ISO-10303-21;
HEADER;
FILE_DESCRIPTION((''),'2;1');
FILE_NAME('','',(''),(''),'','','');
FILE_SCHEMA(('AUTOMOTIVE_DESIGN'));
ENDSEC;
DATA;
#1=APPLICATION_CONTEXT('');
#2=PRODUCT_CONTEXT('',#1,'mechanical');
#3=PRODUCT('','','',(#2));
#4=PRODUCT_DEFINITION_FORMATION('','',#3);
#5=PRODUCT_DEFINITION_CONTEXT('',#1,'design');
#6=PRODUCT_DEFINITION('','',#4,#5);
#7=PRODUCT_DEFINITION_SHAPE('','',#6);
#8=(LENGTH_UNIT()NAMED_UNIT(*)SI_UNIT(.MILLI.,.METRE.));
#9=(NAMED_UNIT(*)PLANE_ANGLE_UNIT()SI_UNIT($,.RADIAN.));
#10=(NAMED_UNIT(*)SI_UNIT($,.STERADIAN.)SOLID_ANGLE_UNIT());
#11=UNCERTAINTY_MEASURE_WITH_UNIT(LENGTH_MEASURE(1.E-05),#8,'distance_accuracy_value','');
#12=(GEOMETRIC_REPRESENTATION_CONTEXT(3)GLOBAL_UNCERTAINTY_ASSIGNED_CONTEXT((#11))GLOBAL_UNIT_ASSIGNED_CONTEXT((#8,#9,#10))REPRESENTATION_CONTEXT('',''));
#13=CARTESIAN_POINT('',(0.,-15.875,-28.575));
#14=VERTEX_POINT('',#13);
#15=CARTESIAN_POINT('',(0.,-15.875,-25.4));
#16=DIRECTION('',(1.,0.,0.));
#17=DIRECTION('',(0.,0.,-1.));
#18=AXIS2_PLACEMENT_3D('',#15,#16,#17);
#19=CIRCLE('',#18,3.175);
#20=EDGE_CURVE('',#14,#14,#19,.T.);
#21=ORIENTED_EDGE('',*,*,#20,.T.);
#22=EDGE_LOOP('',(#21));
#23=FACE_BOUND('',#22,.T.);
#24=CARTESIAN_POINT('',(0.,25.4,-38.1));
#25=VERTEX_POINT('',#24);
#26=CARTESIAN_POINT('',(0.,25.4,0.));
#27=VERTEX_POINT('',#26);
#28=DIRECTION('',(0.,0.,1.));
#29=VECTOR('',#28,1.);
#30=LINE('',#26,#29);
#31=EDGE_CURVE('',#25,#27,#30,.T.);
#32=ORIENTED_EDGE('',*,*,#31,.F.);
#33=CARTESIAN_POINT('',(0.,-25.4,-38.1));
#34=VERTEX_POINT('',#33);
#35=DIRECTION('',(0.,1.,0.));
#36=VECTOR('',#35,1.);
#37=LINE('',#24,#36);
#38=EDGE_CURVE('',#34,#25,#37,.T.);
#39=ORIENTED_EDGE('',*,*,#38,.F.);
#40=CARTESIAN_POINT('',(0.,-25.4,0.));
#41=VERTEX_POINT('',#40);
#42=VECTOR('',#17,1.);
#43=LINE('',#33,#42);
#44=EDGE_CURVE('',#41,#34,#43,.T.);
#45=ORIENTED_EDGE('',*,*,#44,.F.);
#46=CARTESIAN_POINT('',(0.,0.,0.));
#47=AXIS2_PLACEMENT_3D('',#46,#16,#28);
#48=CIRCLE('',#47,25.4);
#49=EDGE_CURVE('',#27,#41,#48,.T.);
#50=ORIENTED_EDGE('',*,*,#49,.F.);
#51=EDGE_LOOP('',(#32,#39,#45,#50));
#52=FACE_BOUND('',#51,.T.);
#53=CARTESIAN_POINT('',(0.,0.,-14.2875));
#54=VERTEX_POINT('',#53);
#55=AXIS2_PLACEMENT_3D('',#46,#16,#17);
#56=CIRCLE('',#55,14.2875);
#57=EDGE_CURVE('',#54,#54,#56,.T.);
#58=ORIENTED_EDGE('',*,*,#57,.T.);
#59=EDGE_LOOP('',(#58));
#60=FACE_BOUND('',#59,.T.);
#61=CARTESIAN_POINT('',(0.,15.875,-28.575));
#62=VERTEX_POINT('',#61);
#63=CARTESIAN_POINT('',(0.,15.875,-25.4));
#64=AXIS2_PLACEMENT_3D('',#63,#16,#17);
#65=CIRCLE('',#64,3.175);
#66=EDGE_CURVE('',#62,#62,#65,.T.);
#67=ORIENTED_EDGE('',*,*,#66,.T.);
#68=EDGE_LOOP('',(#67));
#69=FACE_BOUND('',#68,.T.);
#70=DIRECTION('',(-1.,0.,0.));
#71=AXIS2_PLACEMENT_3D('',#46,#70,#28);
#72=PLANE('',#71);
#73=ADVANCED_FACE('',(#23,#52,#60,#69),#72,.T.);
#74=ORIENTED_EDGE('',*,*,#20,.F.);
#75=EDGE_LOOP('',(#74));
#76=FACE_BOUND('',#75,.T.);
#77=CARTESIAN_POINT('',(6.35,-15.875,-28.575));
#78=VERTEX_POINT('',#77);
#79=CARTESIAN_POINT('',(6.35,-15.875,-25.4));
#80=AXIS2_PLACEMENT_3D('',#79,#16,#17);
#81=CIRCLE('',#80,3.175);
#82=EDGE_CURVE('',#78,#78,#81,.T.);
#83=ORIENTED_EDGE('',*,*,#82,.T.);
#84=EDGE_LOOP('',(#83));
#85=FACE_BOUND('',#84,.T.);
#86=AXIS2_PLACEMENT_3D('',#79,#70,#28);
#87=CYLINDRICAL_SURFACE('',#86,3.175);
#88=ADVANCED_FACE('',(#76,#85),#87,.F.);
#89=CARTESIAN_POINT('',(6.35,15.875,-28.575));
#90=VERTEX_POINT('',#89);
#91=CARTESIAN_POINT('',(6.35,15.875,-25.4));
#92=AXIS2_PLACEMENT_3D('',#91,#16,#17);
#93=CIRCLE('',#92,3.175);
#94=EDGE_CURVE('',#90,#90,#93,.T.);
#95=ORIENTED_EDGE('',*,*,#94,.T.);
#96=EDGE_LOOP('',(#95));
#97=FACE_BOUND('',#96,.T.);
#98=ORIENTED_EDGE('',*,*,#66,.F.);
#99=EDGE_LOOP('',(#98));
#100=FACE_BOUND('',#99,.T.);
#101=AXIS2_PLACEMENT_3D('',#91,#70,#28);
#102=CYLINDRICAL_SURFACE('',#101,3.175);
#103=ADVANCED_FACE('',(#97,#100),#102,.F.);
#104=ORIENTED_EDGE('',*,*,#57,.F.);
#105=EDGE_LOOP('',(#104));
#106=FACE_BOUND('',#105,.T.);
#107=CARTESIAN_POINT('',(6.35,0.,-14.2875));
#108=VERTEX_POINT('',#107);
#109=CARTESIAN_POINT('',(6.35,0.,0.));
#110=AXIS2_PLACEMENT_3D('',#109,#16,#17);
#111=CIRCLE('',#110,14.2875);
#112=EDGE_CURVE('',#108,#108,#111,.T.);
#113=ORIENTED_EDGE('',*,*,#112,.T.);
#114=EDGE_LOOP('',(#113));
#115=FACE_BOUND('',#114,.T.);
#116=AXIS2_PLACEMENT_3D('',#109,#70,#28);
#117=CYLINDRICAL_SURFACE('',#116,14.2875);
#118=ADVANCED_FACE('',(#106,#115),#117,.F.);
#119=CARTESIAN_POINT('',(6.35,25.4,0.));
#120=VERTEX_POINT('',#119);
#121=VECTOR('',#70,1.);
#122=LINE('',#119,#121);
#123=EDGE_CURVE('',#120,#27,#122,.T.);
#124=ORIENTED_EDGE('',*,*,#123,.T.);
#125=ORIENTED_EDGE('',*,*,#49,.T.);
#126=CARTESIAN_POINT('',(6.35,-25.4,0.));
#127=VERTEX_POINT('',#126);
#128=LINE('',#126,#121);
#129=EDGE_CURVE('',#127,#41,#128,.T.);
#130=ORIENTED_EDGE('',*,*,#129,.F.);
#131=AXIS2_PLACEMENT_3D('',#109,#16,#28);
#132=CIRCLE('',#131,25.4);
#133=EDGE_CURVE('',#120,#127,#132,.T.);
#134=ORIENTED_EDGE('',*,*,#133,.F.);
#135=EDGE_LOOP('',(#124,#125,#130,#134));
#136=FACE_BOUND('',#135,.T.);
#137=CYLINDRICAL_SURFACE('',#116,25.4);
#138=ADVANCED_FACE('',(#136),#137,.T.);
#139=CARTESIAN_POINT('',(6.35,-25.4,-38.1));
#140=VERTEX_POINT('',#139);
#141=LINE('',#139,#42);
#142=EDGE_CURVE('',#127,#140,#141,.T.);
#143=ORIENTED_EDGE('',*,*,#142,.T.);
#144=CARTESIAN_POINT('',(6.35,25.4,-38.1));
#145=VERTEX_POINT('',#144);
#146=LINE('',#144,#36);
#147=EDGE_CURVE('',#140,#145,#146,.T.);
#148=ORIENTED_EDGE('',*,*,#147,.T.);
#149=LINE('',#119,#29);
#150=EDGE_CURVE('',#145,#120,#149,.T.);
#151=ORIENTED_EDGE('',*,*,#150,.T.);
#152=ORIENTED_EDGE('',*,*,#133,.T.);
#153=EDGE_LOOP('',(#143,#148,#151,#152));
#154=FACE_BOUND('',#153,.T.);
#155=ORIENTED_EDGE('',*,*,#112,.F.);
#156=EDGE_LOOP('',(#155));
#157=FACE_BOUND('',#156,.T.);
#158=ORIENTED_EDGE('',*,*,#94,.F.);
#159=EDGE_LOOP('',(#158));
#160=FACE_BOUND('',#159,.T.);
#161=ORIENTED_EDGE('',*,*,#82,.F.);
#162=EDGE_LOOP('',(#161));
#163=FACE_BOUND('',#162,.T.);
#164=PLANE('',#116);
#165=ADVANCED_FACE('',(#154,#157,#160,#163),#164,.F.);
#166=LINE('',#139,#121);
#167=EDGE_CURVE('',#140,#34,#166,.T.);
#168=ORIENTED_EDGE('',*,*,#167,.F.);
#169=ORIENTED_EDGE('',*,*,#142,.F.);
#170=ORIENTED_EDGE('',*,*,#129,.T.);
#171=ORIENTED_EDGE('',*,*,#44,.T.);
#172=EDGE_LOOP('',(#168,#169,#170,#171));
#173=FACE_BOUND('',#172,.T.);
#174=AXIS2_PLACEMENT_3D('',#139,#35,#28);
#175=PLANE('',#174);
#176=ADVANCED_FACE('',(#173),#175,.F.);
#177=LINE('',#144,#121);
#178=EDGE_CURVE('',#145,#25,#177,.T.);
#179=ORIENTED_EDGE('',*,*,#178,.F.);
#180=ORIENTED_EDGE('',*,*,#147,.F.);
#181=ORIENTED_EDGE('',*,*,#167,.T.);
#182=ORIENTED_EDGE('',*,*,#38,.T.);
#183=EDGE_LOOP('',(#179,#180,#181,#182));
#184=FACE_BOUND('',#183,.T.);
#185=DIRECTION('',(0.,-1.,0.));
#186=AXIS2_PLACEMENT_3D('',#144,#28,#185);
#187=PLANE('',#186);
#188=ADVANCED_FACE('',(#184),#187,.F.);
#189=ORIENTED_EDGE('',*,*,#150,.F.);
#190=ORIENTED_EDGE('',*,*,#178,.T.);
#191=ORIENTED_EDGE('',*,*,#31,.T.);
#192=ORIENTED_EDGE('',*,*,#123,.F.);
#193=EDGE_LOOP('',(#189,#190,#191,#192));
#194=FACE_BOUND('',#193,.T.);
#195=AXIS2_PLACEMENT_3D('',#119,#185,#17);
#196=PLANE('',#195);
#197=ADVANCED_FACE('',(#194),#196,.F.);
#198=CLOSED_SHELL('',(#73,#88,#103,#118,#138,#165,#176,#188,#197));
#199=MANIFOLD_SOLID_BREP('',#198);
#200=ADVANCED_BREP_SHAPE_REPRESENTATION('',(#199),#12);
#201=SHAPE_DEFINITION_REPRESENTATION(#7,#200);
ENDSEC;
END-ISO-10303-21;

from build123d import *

# Parameters (mm, degrees)
SKETCH1_R           = 14.2875
SKETCH1_R_2         = 3.175
BOSS_EXTRUDE1_DEPTH = 6.35


with BuildPart() as part:
    # Sketch1 → Boss-Extrude1 (new body)
    with BuildSketch(Plane(origin=(0, 0, 0), x_dir=(0, 0, -1), z_dir=(1, 0, 0))):
        with BuildLine():
            Line((0, 25.4), (38.1, 25.4))
            Line((38.1, 25.4), (38.1, -25.4))
            Line((38.1, -25.4), (0, -25.4))
            ThreePointArc((0, -25.4), (-25.4, 0), (0, 25.4))
        make_face()
        Circle(SKETCH1_R, mode=Mode.SUBTRACT)
        with Locations((25.4, 15.875)):
            Circle(SKETCH1_R_2, mode=Mode.SUBTRACT)
        with Locations((25.4, -15.875)):
            Circle(SKETCH1_R_2, mode=Mode.SUBTRACT)
    extrude(amount=BOSS_EXTRUDE1_DEPTH)


solid = part.part
